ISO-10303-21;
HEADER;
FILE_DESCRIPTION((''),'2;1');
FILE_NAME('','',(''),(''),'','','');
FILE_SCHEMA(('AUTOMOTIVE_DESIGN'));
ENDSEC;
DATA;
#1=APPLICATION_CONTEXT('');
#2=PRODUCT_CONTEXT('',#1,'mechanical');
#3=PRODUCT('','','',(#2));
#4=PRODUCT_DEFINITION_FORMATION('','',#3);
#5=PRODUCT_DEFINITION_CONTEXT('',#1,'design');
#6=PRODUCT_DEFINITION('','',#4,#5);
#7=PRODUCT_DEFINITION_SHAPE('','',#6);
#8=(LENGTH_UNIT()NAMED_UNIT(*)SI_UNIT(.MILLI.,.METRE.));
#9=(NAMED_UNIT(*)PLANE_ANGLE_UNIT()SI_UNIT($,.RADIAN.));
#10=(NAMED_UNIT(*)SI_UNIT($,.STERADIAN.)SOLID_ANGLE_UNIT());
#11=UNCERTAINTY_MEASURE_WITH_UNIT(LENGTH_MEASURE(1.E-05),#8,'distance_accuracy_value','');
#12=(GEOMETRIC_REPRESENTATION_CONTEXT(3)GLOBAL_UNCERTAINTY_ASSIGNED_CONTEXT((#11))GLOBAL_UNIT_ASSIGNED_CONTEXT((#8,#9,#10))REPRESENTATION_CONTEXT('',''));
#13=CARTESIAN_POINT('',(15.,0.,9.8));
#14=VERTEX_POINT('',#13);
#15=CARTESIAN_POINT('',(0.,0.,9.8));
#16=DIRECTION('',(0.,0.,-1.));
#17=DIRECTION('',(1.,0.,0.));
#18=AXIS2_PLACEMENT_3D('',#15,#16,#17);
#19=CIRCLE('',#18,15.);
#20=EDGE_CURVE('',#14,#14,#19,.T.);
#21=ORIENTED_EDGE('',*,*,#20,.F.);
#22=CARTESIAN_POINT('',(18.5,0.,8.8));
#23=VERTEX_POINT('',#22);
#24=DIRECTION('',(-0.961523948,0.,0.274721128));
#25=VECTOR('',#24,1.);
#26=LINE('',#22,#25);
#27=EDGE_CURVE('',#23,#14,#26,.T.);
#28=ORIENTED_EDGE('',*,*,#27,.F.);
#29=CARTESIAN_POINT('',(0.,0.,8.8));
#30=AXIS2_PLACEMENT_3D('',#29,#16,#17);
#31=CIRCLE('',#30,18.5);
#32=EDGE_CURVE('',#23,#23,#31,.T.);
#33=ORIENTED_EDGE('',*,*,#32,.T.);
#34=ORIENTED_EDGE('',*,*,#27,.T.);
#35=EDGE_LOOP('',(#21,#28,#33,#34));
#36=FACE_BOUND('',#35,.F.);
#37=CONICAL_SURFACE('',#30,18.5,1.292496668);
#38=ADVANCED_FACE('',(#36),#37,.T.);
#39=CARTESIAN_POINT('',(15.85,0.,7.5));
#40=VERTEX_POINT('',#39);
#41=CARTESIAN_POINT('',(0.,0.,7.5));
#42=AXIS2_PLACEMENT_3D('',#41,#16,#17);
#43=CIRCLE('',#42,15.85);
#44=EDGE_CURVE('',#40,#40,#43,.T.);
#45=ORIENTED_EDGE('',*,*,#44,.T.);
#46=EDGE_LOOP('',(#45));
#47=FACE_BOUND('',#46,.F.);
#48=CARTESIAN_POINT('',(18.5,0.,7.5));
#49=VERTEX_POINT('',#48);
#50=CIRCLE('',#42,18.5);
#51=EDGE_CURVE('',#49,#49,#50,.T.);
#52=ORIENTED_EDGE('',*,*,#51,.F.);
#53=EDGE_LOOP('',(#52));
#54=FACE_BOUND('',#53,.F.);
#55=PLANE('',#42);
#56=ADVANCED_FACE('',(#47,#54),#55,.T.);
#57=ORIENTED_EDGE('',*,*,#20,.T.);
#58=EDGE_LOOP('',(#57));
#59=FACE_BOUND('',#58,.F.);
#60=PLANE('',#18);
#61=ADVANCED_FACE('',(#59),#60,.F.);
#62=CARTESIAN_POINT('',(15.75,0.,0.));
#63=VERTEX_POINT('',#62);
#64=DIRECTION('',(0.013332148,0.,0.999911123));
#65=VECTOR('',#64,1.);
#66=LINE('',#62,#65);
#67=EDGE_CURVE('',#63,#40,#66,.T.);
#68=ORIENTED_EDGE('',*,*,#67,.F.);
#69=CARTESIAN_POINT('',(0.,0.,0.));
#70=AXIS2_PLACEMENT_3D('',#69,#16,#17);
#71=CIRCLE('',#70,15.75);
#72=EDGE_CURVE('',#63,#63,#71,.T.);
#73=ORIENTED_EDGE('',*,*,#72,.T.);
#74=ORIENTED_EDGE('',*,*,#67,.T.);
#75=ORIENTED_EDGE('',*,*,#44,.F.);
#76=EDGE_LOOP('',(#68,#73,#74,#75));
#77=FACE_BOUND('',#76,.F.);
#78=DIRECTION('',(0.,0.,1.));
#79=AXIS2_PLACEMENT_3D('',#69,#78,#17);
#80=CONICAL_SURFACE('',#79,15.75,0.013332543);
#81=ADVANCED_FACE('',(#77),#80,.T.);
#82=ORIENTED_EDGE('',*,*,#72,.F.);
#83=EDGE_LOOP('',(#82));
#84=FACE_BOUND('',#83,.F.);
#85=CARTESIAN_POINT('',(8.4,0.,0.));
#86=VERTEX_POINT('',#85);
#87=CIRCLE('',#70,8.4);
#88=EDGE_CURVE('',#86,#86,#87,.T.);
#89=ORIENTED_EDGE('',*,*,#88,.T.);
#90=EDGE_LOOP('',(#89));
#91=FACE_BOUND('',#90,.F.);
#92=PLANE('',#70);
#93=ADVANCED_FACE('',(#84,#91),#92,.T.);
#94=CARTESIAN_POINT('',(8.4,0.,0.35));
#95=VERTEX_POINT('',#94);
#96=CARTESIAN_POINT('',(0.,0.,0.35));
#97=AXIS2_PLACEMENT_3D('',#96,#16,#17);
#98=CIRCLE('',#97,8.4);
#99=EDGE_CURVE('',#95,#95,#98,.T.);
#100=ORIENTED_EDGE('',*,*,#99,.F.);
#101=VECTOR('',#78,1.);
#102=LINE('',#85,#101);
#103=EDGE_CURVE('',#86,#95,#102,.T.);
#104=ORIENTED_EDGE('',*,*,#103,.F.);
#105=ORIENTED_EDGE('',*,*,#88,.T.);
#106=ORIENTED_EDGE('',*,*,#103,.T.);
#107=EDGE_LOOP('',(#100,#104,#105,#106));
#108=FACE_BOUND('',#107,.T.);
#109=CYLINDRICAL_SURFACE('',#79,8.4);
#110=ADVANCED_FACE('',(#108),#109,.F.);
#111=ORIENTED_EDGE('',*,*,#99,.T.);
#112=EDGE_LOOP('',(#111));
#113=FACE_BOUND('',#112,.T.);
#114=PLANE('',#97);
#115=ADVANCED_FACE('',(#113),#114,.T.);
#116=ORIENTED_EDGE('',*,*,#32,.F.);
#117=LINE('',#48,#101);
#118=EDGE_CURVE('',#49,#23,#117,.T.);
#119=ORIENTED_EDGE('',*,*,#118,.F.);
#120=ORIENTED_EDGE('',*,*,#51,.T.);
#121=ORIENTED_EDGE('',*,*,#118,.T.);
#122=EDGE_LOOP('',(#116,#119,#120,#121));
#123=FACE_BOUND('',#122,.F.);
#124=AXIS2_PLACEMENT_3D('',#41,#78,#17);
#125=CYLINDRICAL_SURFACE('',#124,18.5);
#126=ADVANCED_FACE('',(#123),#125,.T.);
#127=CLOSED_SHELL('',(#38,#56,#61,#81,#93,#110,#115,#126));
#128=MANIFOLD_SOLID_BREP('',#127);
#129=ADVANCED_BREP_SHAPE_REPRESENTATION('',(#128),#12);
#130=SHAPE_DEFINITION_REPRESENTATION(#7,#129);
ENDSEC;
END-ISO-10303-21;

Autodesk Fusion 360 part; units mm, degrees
sketch "Sketch1" plane through (0, 0, 0) normal (0, 1, 0) x (1, 0, 0)
  line L0 (8.4, 0) -> (15.75, 0)
  line L1 (15.75, 0) -> (15.85, -7.5)
  line L2 (15.85, -7.5) -> (18.5, -7.5)
  line L3 (18.5, -7.5) -> (18.5, -8.8)
  line L4 (18.5, -8.8) -> (15, -9.8)
  line L5 (15, -9.8) -> (0, -9.8)
  line L6 (0, -9.8) -> (0, -0.35)
  line L7 (8.4, 0) -> (8.4, -0.35)
  line L8 (8.4, -0.35) -> (0, -0.35)
  dimension "d2" = 15.85
  dimension "d3" = 15.75
  dimension "d4" = 7.5
  dimension "d5" = 18.5
  dimension "d6" = 9.8
  dimension "d7" = 15
  dimension "d8" = 1.3
  dimension "d9" = 0.35
  dimension "d10" = 8.4
revolve "Revolve1" add sketch "Sketch1" angle 360 about axis through (0, 0, 9.8) along (0, 0, -1)
equation "d2 = ( 31.7 / 2 ) * 1 mm"
equation "d3 = ( 31.5 / 2 ) * 1 mm"
equation "d5 = ( 37 / 2 ) * 1 mm"
equation "d10 = ( 16.8 / 2 ) * 1 mm"
